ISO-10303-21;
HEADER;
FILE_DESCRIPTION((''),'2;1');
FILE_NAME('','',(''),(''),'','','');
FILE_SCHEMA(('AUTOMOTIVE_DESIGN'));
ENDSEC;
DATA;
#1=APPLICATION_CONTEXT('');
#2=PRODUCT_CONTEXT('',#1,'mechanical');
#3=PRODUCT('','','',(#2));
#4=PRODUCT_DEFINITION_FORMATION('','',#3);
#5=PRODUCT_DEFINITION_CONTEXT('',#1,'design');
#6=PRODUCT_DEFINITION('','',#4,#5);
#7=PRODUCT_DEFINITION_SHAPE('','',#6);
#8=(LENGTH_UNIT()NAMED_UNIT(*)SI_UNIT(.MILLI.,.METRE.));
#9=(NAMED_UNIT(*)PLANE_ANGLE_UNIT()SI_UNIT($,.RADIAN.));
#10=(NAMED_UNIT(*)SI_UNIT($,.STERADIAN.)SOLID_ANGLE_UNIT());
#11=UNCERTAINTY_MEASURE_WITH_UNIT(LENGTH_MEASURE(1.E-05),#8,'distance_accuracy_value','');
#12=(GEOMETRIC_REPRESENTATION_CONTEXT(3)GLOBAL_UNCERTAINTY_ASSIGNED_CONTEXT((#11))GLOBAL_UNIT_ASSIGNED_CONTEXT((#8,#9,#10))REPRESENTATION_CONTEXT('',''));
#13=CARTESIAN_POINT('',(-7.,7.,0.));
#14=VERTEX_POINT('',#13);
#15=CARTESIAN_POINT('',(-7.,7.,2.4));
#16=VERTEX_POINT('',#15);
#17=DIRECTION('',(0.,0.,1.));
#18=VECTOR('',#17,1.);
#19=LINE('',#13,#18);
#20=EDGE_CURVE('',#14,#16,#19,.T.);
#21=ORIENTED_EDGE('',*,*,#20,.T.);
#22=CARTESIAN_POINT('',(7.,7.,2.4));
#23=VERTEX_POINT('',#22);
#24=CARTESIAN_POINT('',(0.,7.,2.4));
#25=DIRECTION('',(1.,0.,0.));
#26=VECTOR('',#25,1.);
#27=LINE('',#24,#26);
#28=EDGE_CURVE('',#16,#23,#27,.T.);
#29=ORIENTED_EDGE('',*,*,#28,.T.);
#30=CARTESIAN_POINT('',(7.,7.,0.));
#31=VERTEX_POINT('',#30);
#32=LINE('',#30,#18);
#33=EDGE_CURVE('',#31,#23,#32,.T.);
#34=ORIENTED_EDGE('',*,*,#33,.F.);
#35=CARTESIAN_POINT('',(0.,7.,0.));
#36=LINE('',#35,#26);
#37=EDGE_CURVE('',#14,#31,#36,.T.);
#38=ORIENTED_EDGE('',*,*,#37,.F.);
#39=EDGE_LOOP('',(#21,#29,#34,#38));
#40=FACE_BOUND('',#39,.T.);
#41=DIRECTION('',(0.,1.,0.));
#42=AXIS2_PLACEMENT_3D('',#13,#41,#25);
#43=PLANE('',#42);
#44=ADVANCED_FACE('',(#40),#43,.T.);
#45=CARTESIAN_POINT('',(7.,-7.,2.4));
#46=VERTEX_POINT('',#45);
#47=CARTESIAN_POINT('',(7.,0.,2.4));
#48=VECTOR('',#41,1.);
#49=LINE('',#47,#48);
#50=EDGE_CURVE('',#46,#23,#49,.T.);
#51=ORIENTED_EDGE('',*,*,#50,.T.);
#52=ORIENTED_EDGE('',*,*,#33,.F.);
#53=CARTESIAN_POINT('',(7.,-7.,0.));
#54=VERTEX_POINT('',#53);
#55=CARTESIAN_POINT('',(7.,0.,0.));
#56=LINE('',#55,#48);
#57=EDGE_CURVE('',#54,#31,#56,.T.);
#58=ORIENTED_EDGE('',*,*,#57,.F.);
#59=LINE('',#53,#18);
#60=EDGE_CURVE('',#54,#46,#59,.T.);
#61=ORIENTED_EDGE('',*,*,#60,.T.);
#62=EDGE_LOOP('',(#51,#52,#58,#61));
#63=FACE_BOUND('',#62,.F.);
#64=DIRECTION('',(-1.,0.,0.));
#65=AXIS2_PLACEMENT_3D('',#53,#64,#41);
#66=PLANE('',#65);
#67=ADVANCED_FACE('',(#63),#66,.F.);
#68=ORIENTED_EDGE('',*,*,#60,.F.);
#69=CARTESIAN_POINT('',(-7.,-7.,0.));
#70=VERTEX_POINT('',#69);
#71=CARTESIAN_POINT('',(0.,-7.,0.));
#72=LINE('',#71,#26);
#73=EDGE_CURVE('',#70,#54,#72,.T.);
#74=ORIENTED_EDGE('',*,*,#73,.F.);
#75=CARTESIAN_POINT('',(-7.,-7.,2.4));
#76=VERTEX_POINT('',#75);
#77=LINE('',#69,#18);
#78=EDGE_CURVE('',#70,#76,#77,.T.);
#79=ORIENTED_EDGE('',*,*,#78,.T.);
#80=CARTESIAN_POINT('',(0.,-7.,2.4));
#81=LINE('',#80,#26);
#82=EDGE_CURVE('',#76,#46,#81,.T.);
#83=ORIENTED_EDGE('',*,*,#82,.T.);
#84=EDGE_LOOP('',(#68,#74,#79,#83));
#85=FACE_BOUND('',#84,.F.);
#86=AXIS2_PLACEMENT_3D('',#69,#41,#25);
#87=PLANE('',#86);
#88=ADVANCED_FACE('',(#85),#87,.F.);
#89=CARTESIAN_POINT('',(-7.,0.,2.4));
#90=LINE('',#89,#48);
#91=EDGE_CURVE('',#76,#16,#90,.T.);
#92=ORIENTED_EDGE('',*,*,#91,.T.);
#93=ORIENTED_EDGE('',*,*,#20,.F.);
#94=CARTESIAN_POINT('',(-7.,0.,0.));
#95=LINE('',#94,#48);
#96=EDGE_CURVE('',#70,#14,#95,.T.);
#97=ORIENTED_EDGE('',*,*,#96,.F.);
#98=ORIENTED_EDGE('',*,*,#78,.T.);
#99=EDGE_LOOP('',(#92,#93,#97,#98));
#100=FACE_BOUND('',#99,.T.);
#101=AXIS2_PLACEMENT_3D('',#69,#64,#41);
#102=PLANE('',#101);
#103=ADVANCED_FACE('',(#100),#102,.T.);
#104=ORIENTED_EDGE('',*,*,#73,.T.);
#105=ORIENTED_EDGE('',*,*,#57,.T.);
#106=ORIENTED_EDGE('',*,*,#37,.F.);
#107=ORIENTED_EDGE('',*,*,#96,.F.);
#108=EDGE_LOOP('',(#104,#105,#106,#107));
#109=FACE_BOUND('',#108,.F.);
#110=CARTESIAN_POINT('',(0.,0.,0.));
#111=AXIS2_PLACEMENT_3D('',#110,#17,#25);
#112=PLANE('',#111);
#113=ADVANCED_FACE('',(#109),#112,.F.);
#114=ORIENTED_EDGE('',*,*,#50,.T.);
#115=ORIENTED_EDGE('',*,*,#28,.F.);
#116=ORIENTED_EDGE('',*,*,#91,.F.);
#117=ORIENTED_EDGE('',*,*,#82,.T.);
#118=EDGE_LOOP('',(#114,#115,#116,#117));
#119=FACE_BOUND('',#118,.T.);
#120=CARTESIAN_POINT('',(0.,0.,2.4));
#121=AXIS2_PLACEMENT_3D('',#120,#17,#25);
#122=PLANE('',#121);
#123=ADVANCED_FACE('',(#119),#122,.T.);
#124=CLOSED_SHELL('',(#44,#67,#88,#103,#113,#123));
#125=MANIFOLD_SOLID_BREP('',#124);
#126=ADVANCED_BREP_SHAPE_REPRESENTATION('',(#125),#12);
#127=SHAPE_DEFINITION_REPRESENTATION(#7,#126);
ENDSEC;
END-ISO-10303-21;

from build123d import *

# Parameters (mm, degrees)
SKETCH_W      = 14
SKETCH_H      = 14
EXTRUDE_DEPTH = 2.4


with BuildPart() as part:
    # Sketch → Extrude (new body)
    with BuildSketch(Plane.XY):
        Rectangle(SKETCH_W, SKETCH_H)
    extrude(amount=EXTRUDE_DEPTH)


solid = part.part
